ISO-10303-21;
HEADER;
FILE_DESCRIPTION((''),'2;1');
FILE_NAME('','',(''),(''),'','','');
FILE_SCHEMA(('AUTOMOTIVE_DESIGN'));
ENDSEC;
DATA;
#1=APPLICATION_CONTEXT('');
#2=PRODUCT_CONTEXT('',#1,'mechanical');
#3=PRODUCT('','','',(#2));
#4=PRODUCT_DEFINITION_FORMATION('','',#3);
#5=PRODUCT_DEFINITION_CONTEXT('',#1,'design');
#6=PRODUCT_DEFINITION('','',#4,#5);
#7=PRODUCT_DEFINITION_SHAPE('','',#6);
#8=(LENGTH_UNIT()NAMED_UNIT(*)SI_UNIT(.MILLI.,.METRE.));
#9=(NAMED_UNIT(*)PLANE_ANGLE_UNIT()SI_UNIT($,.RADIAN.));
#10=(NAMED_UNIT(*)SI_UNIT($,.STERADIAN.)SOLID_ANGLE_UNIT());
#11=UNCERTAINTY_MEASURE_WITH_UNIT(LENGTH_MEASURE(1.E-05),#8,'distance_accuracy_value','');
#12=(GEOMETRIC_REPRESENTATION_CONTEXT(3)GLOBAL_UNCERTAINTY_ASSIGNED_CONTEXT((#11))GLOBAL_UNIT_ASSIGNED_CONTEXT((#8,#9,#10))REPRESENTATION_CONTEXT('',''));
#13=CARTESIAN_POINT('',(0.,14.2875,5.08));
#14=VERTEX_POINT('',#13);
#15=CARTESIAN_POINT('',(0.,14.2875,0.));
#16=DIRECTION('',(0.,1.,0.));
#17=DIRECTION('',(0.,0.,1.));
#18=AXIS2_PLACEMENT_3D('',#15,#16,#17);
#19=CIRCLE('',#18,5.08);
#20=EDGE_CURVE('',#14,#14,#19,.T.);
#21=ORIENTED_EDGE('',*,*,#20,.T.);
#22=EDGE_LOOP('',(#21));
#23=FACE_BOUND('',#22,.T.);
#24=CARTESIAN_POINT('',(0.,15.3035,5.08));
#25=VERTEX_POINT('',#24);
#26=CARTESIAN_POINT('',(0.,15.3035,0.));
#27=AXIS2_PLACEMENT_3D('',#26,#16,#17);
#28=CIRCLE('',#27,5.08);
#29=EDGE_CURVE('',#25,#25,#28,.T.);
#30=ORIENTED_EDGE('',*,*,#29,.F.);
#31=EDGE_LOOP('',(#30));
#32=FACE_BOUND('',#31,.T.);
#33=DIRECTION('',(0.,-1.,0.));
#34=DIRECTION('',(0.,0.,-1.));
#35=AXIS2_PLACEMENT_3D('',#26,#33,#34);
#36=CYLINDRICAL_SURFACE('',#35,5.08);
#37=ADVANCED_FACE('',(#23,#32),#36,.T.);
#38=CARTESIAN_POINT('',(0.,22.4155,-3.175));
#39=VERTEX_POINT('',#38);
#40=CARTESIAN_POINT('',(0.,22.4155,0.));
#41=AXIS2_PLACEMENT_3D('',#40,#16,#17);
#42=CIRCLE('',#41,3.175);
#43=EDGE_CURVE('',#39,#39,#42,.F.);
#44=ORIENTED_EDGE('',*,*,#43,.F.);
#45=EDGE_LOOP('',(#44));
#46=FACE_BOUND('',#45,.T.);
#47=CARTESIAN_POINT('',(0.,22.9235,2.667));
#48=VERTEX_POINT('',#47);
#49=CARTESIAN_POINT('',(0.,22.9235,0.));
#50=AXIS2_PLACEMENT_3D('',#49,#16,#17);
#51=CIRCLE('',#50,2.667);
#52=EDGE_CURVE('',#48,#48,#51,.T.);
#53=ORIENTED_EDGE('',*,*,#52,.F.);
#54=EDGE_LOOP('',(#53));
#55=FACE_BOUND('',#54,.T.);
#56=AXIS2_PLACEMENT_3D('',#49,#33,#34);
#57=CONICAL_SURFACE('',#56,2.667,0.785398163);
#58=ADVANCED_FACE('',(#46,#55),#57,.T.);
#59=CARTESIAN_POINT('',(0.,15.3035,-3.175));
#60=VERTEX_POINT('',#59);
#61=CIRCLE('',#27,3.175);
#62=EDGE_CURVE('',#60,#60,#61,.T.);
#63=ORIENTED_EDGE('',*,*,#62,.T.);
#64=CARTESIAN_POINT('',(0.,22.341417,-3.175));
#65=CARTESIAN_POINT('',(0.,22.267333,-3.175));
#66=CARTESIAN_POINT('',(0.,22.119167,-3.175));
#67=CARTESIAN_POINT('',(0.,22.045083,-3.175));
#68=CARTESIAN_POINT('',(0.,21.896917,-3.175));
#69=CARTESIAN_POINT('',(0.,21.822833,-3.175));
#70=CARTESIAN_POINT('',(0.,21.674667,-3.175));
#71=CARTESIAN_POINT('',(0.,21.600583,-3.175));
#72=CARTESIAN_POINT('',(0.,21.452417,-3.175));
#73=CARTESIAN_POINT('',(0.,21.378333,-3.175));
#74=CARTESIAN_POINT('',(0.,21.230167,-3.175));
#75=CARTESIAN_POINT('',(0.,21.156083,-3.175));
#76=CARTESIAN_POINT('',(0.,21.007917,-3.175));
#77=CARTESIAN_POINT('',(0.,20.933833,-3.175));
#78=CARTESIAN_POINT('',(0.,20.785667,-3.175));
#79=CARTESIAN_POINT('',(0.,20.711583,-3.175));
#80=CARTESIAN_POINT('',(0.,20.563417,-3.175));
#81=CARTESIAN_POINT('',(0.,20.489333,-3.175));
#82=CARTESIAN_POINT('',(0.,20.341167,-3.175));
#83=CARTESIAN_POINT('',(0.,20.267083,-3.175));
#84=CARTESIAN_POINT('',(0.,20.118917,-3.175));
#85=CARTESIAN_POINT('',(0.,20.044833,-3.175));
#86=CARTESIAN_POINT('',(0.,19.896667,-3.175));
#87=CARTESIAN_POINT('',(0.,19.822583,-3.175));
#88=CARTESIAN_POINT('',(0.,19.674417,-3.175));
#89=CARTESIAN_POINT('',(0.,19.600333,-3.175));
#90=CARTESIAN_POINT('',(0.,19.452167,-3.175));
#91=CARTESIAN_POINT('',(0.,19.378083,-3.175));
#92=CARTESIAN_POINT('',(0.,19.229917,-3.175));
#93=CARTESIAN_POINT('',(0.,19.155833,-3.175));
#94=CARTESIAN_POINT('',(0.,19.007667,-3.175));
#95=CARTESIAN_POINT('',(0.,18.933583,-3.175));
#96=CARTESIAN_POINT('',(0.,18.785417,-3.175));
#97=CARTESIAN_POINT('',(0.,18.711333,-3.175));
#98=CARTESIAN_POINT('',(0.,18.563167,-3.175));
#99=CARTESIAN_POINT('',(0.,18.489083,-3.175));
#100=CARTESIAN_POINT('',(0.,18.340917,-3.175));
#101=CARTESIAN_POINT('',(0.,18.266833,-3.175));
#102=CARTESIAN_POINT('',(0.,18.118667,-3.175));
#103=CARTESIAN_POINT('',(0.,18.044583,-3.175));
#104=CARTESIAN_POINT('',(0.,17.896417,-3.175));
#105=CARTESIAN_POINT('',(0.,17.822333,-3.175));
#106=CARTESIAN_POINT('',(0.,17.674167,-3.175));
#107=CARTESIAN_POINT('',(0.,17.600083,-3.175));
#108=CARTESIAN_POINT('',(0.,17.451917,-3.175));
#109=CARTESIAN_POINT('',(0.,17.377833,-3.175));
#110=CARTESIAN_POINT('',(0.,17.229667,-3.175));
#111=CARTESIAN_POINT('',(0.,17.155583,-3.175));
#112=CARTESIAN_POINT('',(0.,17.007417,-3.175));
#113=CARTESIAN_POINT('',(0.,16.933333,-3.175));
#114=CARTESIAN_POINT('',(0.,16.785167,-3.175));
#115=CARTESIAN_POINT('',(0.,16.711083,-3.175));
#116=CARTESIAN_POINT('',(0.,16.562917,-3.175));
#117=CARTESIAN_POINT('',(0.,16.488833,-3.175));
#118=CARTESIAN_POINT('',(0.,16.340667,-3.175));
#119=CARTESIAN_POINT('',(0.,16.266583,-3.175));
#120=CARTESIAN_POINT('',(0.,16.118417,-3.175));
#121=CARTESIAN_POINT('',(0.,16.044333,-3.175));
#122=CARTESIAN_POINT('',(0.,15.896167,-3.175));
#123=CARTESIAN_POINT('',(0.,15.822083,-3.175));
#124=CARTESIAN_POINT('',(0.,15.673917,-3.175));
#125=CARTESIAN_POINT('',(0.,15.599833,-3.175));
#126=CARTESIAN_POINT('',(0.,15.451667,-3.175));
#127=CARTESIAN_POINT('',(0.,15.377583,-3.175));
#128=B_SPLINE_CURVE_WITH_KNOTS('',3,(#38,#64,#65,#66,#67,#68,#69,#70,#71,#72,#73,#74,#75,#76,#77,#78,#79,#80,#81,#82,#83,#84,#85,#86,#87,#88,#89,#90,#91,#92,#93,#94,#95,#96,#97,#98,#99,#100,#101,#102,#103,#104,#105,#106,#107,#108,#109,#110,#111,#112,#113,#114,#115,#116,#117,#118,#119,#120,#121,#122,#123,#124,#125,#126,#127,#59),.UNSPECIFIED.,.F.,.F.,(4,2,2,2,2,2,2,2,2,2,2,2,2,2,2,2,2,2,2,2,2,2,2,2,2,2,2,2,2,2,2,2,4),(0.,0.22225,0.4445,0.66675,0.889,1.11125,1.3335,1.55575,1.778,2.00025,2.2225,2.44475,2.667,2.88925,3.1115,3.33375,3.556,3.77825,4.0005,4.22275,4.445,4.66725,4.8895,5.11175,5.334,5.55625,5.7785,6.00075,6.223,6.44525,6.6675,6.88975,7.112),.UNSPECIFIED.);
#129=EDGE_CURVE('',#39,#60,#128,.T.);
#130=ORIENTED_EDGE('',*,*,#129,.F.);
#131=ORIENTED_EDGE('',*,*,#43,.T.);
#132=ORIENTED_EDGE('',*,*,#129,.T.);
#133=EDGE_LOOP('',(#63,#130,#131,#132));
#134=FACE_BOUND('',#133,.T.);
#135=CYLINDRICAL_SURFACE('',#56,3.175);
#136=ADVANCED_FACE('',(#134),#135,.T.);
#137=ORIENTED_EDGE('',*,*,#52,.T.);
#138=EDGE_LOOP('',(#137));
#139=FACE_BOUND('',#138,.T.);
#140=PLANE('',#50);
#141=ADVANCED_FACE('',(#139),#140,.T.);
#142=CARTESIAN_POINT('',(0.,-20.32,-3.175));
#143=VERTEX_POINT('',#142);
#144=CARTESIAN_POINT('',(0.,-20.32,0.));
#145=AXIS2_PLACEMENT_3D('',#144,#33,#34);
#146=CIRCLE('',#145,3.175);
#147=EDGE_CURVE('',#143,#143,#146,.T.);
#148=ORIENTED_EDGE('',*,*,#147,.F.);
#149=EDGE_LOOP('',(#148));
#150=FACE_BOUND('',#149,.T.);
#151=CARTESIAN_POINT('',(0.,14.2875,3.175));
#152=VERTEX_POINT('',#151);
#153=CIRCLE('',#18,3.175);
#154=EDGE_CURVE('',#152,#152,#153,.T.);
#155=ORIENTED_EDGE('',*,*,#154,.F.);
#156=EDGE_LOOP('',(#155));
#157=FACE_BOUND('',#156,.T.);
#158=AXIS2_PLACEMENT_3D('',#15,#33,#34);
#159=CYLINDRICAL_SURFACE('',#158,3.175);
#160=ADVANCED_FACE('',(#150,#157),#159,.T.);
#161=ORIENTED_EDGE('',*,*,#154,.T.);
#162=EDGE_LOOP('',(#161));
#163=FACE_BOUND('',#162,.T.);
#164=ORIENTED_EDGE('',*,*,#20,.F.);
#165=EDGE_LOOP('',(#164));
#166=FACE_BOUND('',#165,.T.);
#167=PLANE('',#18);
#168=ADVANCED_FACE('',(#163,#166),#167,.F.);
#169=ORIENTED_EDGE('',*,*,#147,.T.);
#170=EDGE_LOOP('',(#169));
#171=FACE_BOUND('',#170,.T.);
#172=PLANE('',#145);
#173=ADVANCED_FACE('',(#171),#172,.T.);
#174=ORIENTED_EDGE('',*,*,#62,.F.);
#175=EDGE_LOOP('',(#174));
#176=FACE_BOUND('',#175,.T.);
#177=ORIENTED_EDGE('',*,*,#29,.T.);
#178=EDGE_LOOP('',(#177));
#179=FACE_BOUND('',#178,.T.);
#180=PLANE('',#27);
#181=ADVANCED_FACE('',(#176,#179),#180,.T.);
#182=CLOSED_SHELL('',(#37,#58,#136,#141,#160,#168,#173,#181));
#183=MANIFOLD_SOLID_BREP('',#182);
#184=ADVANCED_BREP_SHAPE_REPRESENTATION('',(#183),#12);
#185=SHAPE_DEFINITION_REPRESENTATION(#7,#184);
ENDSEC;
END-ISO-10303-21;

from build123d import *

# Parameters (mm, degrees)
SKETCH1_R           = 3.175
BOSS_EXTRUDE1_DEPTH = 14.2875
SKETCH3_R           = 5.08
BOSS_EXTRUDE2_DEPTH = 1.016
SKETCH4_R           = 3.175
BOSS_EXTRUDE3_DEPTH = 7.62
CHAMFER2_SIZE       = 0.508
BOSS_EXTRUDE4_START = 20.32
SKETCH9_R           = 3.175
BOSS_EXTRUDE4_DEPTH = 20.32


with BuildPart() as part:
    # Sketch1 → Boss-Extrude1 (new body)
    with BuildSketch(Plane(origin=(0, 0, 0), x_dir=(1, 0, 0), z_dir=(0, 1, 0))):
        with Locations(Location((0, 0, 0), (0, 0, 270))):
            Circle(SKETCH1_R)
    extrude(amount=BOSS_EXTRUDE1_DEPTH)

    # Sketch3 → Boss-Extrude2 (add)
    with BuildSketch(Plane(origin=(0, 14.2875, 0), x_dir=(1, 0, 0), z_dir=(0, 1, 0))):
        with Locations(Location((0, 0, 0), (0, 0, 270))):
            Circle(SKETCH3_R)
    extrude(amount=BOSS_EXTRUDE2_DEPTH)

    # Sketch4 → Boss-Extrude3 (add)
    with BuildSketch(Plane(origin=(0, 15.3035, 0), x_dir=(1, 0, 0), z_dir=(0, 1, 0))):
        with Locations(Location((0, 0, 0), (0, 0, 270))):
            Circle(SKETCH4_R)
    extrude(amount=BOSS_EXTRUDE3_DEPTH)

    # Chamfer2
    chamfer2_edges = [part.edges().sort_by_distance(p)[0] for p in [
        (0, 22.9235, -3.175),
    ]]
    chamfer(chamfer2_edges, length=CHAMFER2_SIZE)

    # Sketch9 → Boss-Extrude4 (add)
    with BuildSketch(Plane.XZ.offset(BOSS_EXTRUDE4_START)):
        with Locations(Location((0, 0, 0), (0, 0, 270))):
            Circle(SKETCH9_R)
    extrude(amount=-BOSS_EXTRUDE4_DEPTH)


solid = part.part
